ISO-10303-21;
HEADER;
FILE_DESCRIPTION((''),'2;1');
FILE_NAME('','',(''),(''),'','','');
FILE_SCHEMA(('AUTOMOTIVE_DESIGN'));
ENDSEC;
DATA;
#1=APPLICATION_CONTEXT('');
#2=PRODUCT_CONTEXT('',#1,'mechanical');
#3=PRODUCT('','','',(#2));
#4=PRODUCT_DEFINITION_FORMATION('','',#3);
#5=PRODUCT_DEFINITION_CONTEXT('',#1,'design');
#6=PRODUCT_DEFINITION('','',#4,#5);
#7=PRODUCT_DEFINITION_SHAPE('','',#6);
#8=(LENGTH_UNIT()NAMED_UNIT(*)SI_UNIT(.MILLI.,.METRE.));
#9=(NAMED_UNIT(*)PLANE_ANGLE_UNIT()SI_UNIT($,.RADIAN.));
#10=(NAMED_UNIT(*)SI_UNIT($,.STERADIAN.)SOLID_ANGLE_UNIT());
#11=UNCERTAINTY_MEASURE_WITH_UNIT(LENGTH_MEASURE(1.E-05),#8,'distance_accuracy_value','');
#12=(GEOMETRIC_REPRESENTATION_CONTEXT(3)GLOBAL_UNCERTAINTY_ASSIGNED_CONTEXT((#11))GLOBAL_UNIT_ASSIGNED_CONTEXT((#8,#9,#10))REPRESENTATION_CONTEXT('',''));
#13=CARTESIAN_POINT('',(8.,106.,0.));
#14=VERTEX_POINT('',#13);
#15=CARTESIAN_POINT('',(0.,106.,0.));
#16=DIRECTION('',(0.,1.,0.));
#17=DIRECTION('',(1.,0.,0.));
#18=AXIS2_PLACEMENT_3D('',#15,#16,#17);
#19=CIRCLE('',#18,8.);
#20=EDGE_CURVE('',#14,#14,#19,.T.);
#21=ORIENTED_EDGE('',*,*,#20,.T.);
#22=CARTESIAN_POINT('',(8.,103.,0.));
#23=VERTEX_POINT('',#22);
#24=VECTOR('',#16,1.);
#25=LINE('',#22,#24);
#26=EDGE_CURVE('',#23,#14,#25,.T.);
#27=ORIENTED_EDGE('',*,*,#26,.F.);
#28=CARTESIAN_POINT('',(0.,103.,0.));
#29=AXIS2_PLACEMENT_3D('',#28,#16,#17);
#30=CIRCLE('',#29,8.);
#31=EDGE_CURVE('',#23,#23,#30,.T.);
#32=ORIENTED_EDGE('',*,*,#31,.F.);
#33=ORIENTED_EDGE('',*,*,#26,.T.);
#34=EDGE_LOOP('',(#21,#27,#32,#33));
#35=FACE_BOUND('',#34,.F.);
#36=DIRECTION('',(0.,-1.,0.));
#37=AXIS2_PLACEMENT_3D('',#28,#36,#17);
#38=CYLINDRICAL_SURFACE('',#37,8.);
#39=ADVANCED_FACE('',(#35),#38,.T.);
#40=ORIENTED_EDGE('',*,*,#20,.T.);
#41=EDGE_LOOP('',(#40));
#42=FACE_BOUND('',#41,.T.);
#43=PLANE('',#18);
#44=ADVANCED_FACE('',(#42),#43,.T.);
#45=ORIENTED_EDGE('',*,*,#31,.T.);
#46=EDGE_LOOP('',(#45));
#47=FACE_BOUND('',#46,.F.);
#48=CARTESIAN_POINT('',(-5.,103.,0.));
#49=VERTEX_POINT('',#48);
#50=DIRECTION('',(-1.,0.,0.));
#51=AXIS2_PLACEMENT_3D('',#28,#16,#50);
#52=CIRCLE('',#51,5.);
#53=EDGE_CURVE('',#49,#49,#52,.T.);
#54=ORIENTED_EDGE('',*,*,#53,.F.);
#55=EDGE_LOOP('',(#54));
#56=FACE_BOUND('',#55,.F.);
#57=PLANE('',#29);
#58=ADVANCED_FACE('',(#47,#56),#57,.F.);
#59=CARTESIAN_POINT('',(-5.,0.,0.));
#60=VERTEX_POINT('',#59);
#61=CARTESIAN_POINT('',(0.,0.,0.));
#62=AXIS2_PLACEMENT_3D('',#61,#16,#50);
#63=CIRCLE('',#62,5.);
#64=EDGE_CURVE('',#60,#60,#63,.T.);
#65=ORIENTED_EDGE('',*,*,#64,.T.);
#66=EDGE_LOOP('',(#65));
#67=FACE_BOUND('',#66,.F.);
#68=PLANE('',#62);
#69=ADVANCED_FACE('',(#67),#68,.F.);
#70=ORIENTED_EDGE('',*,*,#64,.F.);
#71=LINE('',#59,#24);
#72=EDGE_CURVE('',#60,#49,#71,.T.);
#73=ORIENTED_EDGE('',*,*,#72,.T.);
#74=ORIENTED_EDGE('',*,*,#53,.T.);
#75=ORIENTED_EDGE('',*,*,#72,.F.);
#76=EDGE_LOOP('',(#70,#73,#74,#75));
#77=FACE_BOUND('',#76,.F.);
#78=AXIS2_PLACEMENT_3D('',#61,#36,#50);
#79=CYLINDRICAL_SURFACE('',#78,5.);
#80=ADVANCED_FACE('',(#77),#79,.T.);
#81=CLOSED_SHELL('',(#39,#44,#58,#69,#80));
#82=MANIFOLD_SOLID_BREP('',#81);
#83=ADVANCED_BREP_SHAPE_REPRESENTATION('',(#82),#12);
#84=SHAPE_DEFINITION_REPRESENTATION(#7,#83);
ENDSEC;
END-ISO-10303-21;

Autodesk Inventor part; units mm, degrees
ref_plane "YZ Plane" through (0, 0, 0) normal (1, 0, 0) x (0, 1, 0)
ref_plane "XZ Plane" through (0, 0, 0) normal (0, 1, 0) x (-1, 0, 0)
ref_plane "XY Plane" through (0, 0, 0) normal (0, 0, 1) x (1, 0, 0)
sketch "Sketch1" plane through (0, 0, 0) normal (0, 1, 0) x (-1, 0, 0)
  circle A0 centre (0, 0) radius 5
  dimension "d0" = 10
extrude "Extrusion1" add sketch "Sketch1" along normal blind 103
sketch "Sketch2" plane through (0, 103, 0) normal (0, 1, 0) x (1, 0, 0)
  circle A0 centre (0, 0) radius 8
  dimension "d3" = 16
extrude "Extrusion2" add sketch "Sketch2" along normal blind 3
properties part number "pin"
